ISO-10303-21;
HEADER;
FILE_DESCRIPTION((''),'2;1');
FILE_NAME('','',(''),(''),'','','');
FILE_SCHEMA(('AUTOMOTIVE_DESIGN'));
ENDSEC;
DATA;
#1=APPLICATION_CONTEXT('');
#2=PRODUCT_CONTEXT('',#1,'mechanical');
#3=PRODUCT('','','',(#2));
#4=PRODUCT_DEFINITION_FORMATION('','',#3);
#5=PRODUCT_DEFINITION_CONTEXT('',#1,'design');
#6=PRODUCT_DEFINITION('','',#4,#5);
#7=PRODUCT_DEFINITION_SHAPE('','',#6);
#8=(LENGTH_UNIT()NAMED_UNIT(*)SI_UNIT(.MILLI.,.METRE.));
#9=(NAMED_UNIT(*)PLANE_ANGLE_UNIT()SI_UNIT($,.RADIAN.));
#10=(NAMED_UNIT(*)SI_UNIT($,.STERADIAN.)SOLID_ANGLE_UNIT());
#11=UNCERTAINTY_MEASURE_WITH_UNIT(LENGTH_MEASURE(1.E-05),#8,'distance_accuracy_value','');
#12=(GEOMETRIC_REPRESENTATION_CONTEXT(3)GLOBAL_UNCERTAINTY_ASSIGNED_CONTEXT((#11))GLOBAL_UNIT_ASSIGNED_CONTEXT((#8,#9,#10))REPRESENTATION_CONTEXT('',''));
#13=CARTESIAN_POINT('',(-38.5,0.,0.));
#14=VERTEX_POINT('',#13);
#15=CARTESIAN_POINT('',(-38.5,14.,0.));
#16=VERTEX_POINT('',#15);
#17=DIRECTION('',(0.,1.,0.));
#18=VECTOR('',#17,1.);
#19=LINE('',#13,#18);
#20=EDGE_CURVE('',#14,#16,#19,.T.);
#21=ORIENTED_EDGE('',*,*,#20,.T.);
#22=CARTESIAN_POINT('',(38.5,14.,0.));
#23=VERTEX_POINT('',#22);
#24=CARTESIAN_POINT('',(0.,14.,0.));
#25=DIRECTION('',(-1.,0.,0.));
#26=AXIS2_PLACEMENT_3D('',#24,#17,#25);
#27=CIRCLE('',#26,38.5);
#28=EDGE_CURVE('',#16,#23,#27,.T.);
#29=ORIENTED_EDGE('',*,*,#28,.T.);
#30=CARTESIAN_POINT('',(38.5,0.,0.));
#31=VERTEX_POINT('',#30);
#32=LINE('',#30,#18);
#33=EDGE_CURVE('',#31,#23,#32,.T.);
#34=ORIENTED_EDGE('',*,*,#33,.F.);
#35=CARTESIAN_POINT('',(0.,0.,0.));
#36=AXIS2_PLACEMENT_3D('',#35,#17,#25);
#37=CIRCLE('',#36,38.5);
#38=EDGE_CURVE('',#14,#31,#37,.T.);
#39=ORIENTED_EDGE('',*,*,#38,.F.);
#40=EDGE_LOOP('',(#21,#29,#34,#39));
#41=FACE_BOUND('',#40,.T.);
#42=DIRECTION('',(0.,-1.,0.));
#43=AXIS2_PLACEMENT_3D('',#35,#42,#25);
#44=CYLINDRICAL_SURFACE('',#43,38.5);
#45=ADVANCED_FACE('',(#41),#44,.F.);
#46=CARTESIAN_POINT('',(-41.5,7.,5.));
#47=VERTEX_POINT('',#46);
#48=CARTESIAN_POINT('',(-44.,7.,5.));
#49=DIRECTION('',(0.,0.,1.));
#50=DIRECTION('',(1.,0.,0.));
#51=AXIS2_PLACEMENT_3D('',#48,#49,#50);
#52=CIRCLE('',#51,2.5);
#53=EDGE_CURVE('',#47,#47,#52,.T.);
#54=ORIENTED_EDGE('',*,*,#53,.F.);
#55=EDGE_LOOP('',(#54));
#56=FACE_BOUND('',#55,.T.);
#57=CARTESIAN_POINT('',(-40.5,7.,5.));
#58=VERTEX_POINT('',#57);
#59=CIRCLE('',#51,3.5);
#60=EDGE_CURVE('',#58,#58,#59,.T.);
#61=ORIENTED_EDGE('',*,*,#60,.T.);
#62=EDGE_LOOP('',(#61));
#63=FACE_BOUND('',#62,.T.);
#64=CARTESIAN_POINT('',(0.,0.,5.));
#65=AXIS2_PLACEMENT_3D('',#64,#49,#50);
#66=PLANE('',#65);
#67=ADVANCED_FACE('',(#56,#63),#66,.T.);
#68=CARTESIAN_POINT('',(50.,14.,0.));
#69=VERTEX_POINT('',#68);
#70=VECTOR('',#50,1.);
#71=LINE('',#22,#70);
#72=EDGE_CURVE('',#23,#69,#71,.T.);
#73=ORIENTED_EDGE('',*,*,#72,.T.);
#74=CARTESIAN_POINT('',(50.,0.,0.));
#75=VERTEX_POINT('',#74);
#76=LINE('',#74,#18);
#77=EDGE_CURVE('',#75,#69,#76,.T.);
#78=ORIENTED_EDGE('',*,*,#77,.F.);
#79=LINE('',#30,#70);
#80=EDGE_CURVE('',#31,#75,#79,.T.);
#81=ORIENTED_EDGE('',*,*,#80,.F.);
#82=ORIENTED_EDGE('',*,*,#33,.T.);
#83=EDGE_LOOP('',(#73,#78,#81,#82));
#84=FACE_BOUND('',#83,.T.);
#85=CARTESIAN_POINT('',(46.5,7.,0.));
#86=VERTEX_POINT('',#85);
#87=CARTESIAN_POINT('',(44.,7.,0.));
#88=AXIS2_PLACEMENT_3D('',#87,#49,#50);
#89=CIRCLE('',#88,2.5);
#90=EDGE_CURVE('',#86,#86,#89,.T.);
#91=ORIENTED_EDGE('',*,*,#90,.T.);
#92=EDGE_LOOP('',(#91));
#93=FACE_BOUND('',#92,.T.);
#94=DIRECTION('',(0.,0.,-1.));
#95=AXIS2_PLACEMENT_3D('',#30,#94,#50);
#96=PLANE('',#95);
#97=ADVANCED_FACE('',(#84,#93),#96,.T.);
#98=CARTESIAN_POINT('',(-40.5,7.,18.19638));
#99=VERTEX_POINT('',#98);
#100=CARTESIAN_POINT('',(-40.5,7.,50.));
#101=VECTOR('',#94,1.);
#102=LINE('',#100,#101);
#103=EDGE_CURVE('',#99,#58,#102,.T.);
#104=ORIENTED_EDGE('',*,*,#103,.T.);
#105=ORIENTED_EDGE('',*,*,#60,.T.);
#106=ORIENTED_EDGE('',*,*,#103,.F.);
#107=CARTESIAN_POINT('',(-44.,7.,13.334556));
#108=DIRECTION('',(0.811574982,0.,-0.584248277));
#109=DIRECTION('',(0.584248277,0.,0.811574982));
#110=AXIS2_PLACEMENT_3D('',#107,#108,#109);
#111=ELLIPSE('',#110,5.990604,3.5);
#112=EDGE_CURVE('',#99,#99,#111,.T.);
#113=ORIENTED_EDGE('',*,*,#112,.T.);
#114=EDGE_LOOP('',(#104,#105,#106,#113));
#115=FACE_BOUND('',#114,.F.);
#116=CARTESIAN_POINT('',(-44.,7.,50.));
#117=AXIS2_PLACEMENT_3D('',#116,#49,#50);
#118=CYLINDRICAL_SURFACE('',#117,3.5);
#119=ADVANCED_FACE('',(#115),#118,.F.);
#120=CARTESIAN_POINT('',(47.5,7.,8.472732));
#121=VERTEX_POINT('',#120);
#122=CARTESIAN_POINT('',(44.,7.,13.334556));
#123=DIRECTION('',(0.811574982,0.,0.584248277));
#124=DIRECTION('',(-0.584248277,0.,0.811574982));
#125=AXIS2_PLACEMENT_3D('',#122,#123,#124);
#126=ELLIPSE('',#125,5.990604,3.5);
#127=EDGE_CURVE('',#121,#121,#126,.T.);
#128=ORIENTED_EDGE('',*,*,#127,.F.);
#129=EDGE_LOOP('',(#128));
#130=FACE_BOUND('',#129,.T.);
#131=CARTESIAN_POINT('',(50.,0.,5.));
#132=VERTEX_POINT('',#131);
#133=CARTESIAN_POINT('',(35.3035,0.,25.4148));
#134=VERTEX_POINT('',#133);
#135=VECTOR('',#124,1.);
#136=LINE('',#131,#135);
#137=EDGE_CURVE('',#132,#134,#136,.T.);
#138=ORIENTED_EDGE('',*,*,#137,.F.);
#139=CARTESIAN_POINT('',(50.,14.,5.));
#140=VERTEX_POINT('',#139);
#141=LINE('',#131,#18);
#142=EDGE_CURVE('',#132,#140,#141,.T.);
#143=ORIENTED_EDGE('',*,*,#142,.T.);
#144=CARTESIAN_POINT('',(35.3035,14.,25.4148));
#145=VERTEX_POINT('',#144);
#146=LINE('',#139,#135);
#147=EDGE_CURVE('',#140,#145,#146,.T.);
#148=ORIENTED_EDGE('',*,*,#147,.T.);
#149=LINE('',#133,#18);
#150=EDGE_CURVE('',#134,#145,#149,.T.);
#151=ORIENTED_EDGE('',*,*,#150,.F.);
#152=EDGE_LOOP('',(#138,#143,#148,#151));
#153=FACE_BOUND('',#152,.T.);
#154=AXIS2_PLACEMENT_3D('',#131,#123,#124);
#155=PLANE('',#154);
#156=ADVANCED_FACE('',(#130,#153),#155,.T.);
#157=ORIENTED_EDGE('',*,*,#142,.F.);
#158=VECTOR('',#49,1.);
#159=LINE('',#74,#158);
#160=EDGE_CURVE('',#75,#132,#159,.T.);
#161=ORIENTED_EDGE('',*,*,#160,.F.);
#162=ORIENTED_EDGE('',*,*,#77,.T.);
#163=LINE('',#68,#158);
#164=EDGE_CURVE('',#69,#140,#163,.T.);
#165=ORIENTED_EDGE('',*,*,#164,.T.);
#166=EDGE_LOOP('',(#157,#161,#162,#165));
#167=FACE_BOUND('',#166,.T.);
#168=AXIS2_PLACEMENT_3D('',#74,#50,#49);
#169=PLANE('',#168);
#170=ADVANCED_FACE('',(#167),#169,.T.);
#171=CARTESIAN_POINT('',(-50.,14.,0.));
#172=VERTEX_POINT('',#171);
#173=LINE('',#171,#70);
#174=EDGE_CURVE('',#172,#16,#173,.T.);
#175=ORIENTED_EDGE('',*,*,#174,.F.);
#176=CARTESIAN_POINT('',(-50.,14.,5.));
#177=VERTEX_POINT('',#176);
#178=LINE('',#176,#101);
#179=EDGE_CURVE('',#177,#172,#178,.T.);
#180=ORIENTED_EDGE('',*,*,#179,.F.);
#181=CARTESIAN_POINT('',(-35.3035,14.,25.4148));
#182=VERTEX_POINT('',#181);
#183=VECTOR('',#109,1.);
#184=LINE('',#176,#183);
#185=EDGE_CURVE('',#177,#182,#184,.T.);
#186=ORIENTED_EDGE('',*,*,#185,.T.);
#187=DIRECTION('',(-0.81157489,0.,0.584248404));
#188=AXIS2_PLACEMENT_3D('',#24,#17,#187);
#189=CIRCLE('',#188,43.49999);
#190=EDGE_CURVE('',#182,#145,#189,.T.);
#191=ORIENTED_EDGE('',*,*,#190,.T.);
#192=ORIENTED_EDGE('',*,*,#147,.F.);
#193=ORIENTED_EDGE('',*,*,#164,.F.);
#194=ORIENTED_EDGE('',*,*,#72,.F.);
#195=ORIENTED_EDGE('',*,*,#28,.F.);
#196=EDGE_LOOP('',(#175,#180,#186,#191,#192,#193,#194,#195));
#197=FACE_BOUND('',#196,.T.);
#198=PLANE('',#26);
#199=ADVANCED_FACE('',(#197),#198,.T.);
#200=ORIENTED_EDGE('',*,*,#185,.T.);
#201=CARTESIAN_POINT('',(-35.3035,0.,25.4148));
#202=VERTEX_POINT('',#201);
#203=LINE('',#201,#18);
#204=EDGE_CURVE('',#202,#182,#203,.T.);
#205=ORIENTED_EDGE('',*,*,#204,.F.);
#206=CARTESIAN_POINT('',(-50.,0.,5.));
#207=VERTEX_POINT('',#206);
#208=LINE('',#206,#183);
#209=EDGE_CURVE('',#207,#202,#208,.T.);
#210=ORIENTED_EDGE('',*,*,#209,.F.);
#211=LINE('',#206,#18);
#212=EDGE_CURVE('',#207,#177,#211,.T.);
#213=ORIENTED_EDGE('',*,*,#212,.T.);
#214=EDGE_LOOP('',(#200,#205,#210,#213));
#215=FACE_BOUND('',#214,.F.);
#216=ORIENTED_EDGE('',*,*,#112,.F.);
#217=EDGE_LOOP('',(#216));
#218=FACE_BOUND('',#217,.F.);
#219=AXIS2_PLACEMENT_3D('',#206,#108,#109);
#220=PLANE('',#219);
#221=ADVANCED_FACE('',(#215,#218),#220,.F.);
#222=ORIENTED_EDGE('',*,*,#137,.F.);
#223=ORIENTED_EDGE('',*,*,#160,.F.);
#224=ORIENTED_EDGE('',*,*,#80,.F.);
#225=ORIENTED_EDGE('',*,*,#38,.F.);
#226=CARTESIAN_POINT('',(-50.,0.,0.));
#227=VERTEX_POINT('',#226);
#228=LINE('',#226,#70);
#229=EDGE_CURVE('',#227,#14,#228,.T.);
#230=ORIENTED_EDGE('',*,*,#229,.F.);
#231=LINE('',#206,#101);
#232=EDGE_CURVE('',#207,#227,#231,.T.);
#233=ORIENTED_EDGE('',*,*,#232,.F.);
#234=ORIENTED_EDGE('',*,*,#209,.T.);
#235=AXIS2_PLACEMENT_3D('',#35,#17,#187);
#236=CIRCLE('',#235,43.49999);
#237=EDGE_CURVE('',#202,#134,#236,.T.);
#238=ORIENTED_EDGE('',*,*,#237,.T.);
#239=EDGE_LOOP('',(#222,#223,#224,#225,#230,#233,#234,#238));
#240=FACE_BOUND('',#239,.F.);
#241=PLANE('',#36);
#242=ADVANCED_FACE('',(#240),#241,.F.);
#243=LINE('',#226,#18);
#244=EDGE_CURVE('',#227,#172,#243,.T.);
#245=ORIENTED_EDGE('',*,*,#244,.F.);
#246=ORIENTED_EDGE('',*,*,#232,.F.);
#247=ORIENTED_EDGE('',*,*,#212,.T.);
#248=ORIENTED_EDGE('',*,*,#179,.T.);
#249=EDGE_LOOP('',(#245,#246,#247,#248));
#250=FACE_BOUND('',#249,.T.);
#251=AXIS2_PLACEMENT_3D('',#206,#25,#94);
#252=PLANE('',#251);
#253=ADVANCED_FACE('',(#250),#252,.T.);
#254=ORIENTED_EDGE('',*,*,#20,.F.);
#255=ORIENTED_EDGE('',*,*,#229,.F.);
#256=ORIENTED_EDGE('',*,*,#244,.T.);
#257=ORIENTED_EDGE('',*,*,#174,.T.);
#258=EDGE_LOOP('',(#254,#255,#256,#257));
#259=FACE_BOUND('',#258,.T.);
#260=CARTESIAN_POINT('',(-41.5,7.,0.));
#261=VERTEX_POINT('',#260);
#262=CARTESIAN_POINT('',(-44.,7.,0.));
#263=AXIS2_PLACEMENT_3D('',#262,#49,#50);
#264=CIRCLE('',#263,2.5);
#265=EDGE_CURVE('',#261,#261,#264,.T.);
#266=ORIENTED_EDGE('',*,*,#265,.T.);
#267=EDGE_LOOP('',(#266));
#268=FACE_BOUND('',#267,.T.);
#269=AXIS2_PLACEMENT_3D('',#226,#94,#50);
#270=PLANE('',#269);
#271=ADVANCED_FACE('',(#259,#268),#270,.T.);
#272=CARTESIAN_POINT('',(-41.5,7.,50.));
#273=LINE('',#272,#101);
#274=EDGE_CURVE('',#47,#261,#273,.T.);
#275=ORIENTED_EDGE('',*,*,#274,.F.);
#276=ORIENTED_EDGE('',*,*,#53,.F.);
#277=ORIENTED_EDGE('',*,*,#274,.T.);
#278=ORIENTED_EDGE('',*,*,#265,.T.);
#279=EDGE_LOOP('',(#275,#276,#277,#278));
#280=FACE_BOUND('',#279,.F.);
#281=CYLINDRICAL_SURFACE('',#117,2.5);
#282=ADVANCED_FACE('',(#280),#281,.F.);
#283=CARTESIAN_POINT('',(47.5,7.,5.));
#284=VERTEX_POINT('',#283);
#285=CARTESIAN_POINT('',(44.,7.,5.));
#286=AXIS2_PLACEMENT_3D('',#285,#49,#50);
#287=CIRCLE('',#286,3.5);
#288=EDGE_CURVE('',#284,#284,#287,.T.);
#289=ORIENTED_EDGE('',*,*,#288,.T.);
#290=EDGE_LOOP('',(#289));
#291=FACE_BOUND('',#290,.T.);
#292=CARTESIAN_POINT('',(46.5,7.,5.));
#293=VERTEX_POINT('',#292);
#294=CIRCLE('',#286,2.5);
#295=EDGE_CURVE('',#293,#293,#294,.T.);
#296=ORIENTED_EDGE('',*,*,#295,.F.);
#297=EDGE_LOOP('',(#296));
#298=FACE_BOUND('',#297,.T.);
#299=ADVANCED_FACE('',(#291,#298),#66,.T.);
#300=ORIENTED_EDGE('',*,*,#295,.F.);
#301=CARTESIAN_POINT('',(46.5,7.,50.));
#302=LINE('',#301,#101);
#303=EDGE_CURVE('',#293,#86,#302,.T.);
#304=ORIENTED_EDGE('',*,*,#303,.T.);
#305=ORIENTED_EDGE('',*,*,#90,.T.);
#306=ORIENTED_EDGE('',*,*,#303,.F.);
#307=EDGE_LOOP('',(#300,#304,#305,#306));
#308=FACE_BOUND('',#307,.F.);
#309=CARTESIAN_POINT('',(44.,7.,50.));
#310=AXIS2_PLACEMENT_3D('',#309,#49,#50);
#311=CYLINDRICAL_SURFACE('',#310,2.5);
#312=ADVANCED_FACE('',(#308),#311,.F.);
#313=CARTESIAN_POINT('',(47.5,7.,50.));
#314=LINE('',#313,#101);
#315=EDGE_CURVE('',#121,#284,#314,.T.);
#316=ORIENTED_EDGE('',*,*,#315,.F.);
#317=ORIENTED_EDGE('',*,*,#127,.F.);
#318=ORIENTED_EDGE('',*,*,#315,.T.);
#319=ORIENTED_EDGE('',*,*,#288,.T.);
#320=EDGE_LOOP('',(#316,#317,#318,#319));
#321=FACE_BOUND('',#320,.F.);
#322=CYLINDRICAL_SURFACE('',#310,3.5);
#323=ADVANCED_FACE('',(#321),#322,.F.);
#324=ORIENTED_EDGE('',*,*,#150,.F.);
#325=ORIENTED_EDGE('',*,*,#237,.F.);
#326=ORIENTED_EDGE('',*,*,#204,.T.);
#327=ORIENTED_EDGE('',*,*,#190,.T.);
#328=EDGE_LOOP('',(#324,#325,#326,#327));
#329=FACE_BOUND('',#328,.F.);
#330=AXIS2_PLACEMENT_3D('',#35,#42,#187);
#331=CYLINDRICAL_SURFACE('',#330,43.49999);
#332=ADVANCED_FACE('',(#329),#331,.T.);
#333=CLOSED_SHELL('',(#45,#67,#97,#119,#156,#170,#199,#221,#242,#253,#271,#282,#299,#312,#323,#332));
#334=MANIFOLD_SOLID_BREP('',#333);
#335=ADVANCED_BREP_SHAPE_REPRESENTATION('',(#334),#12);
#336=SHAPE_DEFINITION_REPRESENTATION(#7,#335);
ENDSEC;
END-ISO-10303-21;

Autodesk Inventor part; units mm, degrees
ref_plane "YZ Plane" through (0, 0, 0) normal (1, 0, 0) x (0, 1, 0)
ref_plane "XZ Plane" through (0, 0, 0) normal (0, 1, 0) x (-1, 0, 0)
sketch "Sketch2" plane through (0, 0, 0) normal (0, 1, 0) x (-1, 0, 0)
  line L0 (-50, 0) -> (-50, 5)
  line L1 (50, 5) -> (50, 0)
  arc A0 (38.5, 0) -> (-38.5, 0) centre (0, 0) ccw
  line L2 (50, 5) -> (35.3035, 25.4148)
  line L3 (-50, 5) -> (-35.3035, 25.4148)
  line L4 (50, 0) -> (38.5, 0)
  line L5 (-38.5, 0) -> (-50, 0)
  line L6 (43.2117, 5) -> (50, 5)
  arc A1 (35.3035, 25.4148) -> (-35.3035, 25.4148) centre (0, 0) ccw
  point P0 (50, 2.5)
  dimension "d0" = 77
  dimension "d2" = 5
  dimension "d3" = 100
  dimension "d4" = 50
extrude "Extrusion1" add sketch "Sketch2" along normal blind 14
ref_plane "Work Plane1" through (0, 0, 50) normal (0, 0, 1) x (1, 0, 0)
sketch "Sketch3" plane through (0, 0, 50) normal (0, 0, 1) x (1, 0, 0)
  line L0 (-38.5, 0) -> (-38.5, 14) projected
  circle A0 centre (44, 7) radius 2.5
  circle A1 centre (44, 7) radius 3.5
  line L1 (0, 0) -> (0, 17.8681)
  circle A2 centre (-44, 7) radius 2.5
  circle A3 centre (-44, 7) radius 3.5
  line L2 (35.3035, 14) -> (50, 14) projected
  dimension "d10" = 1
  dimension "d11" = 44
  dimension "d12" = 7
extrude "Extrusion2" cut sketch "Sketch3" against normal blind 45
extrude "Extrusion3" cut sketch "Sketch3" against normal blind 60 contours A0 | A2
properties part number "clamp" material "Polyethylene, High Density"
